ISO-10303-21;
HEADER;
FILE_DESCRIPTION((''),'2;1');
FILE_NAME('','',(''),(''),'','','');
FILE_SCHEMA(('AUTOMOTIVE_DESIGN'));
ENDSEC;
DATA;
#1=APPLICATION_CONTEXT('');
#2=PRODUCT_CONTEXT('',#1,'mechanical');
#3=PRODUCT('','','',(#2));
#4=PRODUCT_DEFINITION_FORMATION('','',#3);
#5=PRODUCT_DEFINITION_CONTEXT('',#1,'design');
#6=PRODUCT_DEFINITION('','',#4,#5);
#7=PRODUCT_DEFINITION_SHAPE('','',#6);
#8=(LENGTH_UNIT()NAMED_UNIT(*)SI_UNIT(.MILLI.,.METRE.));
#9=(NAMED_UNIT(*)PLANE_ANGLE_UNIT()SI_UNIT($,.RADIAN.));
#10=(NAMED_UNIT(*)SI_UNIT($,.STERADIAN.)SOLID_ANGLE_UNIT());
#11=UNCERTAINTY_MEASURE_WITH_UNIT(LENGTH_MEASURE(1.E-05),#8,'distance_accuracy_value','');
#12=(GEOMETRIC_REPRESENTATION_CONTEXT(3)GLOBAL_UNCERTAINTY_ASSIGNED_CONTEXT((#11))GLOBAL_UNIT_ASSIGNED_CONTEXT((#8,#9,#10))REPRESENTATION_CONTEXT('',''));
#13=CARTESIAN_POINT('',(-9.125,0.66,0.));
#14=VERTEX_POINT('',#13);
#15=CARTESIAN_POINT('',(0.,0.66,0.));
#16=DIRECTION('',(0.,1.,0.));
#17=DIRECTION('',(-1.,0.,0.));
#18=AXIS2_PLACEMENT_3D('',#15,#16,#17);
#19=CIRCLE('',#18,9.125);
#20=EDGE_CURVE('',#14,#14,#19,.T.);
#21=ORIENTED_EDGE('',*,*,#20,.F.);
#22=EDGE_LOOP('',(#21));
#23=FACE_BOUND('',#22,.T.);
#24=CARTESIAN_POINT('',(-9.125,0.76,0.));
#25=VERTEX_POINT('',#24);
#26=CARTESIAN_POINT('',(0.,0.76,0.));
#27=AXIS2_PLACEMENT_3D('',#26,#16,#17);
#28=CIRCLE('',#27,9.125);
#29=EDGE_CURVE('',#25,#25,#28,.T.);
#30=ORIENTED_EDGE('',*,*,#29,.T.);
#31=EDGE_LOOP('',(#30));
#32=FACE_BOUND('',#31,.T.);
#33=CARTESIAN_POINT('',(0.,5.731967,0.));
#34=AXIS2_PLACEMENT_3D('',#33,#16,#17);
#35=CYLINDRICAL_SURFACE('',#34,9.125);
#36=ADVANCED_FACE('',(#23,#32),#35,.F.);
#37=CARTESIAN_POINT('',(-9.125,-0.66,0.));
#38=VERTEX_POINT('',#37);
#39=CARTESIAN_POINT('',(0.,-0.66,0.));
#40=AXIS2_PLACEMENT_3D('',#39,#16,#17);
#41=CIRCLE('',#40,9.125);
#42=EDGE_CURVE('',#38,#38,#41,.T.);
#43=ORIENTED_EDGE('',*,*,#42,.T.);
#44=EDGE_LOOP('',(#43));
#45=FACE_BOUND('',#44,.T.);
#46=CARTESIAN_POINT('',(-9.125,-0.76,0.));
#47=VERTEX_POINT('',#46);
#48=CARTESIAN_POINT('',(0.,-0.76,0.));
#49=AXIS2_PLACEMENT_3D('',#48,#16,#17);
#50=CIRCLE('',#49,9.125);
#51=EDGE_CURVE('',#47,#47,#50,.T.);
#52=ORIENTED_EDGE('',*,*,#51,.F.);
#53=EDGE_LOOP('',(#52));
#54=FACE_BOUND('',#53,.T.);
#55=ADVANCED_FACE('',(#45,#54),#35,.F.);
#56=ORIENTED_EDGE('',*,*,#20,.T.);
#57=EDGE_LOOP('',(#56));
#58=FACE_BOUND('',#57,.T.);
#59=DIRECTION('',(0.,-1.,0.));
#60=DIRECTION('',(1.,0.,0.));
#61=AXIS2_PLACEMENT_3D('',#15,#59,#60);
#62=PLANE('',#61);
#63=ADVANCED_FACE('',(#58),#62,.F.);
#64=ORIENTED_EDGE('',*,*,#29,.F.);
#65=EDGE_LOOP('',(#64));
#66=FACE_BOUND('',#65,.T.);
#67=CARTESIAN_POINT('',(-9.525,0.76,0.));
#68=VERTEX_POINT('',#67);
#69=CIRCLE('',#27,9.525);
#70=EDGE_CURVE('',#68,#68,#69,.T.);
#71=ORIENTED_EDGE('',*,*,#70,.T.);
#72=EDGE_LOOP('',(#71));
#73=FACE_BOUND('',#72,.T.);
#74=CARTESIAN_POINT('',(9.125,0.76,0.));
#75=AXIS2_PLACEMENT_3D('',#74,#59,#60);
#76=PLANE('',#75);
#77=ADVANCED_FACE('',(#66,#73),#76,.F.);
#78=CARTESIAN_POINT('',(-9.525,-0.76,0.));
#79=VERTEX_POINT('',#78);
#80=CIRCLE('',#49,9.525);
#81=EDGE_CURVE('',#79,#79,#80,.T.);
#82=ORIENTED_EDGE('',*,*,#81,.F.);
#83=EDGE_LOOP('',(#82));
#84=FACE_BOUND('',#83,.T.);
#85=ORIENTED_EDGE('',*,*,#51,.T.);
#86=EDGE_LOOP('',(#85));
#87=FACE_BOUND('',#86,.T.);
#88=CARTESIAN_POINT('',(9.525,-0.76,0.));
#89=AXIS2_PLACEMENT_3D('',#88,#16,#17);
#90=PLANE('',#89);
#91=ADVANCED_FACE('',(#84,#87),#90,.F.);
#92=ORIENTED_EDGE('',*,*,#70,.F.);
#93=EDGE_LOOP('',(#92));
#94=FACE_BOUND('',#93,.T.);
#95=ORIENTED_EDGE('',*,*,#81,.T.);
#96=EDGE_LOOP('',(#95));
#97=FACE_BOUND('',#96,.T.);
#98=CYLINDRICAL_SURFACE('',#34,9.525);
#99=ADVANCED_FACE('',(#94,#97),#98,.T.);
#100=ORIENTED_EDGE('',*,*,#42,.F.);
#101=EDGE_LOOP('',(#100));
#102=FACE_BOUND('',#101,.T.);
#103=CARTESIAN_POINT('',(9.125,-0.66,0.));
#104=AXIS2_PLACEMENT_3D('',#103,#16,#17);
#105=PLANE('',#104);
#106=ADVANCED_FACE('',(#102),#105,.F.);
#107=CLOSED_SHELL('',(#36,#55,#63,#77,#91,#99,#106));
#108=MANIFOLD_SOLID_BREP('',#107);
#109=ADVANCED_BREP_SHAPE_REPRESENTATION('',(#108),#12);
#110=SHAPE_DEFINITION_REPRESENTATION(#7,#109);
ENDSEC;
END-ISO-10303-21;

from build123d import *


with BuildPart() as part:
    # Sketch1 → Revolve1 (revolve)
    with BuildSketch(Plane.XY):
        Polygon((0, 0.66), (9.125, 0.66), (9.125, 0.76), (9.525, 0.76), (9.525, -0.76), (9.125, -0.76), (9.125, -0.66), (0, -0.66), align=None)
    revolve(axis=Axis((0, 5.73196658, 0), (0, -1, 0)))


solid = part.part
